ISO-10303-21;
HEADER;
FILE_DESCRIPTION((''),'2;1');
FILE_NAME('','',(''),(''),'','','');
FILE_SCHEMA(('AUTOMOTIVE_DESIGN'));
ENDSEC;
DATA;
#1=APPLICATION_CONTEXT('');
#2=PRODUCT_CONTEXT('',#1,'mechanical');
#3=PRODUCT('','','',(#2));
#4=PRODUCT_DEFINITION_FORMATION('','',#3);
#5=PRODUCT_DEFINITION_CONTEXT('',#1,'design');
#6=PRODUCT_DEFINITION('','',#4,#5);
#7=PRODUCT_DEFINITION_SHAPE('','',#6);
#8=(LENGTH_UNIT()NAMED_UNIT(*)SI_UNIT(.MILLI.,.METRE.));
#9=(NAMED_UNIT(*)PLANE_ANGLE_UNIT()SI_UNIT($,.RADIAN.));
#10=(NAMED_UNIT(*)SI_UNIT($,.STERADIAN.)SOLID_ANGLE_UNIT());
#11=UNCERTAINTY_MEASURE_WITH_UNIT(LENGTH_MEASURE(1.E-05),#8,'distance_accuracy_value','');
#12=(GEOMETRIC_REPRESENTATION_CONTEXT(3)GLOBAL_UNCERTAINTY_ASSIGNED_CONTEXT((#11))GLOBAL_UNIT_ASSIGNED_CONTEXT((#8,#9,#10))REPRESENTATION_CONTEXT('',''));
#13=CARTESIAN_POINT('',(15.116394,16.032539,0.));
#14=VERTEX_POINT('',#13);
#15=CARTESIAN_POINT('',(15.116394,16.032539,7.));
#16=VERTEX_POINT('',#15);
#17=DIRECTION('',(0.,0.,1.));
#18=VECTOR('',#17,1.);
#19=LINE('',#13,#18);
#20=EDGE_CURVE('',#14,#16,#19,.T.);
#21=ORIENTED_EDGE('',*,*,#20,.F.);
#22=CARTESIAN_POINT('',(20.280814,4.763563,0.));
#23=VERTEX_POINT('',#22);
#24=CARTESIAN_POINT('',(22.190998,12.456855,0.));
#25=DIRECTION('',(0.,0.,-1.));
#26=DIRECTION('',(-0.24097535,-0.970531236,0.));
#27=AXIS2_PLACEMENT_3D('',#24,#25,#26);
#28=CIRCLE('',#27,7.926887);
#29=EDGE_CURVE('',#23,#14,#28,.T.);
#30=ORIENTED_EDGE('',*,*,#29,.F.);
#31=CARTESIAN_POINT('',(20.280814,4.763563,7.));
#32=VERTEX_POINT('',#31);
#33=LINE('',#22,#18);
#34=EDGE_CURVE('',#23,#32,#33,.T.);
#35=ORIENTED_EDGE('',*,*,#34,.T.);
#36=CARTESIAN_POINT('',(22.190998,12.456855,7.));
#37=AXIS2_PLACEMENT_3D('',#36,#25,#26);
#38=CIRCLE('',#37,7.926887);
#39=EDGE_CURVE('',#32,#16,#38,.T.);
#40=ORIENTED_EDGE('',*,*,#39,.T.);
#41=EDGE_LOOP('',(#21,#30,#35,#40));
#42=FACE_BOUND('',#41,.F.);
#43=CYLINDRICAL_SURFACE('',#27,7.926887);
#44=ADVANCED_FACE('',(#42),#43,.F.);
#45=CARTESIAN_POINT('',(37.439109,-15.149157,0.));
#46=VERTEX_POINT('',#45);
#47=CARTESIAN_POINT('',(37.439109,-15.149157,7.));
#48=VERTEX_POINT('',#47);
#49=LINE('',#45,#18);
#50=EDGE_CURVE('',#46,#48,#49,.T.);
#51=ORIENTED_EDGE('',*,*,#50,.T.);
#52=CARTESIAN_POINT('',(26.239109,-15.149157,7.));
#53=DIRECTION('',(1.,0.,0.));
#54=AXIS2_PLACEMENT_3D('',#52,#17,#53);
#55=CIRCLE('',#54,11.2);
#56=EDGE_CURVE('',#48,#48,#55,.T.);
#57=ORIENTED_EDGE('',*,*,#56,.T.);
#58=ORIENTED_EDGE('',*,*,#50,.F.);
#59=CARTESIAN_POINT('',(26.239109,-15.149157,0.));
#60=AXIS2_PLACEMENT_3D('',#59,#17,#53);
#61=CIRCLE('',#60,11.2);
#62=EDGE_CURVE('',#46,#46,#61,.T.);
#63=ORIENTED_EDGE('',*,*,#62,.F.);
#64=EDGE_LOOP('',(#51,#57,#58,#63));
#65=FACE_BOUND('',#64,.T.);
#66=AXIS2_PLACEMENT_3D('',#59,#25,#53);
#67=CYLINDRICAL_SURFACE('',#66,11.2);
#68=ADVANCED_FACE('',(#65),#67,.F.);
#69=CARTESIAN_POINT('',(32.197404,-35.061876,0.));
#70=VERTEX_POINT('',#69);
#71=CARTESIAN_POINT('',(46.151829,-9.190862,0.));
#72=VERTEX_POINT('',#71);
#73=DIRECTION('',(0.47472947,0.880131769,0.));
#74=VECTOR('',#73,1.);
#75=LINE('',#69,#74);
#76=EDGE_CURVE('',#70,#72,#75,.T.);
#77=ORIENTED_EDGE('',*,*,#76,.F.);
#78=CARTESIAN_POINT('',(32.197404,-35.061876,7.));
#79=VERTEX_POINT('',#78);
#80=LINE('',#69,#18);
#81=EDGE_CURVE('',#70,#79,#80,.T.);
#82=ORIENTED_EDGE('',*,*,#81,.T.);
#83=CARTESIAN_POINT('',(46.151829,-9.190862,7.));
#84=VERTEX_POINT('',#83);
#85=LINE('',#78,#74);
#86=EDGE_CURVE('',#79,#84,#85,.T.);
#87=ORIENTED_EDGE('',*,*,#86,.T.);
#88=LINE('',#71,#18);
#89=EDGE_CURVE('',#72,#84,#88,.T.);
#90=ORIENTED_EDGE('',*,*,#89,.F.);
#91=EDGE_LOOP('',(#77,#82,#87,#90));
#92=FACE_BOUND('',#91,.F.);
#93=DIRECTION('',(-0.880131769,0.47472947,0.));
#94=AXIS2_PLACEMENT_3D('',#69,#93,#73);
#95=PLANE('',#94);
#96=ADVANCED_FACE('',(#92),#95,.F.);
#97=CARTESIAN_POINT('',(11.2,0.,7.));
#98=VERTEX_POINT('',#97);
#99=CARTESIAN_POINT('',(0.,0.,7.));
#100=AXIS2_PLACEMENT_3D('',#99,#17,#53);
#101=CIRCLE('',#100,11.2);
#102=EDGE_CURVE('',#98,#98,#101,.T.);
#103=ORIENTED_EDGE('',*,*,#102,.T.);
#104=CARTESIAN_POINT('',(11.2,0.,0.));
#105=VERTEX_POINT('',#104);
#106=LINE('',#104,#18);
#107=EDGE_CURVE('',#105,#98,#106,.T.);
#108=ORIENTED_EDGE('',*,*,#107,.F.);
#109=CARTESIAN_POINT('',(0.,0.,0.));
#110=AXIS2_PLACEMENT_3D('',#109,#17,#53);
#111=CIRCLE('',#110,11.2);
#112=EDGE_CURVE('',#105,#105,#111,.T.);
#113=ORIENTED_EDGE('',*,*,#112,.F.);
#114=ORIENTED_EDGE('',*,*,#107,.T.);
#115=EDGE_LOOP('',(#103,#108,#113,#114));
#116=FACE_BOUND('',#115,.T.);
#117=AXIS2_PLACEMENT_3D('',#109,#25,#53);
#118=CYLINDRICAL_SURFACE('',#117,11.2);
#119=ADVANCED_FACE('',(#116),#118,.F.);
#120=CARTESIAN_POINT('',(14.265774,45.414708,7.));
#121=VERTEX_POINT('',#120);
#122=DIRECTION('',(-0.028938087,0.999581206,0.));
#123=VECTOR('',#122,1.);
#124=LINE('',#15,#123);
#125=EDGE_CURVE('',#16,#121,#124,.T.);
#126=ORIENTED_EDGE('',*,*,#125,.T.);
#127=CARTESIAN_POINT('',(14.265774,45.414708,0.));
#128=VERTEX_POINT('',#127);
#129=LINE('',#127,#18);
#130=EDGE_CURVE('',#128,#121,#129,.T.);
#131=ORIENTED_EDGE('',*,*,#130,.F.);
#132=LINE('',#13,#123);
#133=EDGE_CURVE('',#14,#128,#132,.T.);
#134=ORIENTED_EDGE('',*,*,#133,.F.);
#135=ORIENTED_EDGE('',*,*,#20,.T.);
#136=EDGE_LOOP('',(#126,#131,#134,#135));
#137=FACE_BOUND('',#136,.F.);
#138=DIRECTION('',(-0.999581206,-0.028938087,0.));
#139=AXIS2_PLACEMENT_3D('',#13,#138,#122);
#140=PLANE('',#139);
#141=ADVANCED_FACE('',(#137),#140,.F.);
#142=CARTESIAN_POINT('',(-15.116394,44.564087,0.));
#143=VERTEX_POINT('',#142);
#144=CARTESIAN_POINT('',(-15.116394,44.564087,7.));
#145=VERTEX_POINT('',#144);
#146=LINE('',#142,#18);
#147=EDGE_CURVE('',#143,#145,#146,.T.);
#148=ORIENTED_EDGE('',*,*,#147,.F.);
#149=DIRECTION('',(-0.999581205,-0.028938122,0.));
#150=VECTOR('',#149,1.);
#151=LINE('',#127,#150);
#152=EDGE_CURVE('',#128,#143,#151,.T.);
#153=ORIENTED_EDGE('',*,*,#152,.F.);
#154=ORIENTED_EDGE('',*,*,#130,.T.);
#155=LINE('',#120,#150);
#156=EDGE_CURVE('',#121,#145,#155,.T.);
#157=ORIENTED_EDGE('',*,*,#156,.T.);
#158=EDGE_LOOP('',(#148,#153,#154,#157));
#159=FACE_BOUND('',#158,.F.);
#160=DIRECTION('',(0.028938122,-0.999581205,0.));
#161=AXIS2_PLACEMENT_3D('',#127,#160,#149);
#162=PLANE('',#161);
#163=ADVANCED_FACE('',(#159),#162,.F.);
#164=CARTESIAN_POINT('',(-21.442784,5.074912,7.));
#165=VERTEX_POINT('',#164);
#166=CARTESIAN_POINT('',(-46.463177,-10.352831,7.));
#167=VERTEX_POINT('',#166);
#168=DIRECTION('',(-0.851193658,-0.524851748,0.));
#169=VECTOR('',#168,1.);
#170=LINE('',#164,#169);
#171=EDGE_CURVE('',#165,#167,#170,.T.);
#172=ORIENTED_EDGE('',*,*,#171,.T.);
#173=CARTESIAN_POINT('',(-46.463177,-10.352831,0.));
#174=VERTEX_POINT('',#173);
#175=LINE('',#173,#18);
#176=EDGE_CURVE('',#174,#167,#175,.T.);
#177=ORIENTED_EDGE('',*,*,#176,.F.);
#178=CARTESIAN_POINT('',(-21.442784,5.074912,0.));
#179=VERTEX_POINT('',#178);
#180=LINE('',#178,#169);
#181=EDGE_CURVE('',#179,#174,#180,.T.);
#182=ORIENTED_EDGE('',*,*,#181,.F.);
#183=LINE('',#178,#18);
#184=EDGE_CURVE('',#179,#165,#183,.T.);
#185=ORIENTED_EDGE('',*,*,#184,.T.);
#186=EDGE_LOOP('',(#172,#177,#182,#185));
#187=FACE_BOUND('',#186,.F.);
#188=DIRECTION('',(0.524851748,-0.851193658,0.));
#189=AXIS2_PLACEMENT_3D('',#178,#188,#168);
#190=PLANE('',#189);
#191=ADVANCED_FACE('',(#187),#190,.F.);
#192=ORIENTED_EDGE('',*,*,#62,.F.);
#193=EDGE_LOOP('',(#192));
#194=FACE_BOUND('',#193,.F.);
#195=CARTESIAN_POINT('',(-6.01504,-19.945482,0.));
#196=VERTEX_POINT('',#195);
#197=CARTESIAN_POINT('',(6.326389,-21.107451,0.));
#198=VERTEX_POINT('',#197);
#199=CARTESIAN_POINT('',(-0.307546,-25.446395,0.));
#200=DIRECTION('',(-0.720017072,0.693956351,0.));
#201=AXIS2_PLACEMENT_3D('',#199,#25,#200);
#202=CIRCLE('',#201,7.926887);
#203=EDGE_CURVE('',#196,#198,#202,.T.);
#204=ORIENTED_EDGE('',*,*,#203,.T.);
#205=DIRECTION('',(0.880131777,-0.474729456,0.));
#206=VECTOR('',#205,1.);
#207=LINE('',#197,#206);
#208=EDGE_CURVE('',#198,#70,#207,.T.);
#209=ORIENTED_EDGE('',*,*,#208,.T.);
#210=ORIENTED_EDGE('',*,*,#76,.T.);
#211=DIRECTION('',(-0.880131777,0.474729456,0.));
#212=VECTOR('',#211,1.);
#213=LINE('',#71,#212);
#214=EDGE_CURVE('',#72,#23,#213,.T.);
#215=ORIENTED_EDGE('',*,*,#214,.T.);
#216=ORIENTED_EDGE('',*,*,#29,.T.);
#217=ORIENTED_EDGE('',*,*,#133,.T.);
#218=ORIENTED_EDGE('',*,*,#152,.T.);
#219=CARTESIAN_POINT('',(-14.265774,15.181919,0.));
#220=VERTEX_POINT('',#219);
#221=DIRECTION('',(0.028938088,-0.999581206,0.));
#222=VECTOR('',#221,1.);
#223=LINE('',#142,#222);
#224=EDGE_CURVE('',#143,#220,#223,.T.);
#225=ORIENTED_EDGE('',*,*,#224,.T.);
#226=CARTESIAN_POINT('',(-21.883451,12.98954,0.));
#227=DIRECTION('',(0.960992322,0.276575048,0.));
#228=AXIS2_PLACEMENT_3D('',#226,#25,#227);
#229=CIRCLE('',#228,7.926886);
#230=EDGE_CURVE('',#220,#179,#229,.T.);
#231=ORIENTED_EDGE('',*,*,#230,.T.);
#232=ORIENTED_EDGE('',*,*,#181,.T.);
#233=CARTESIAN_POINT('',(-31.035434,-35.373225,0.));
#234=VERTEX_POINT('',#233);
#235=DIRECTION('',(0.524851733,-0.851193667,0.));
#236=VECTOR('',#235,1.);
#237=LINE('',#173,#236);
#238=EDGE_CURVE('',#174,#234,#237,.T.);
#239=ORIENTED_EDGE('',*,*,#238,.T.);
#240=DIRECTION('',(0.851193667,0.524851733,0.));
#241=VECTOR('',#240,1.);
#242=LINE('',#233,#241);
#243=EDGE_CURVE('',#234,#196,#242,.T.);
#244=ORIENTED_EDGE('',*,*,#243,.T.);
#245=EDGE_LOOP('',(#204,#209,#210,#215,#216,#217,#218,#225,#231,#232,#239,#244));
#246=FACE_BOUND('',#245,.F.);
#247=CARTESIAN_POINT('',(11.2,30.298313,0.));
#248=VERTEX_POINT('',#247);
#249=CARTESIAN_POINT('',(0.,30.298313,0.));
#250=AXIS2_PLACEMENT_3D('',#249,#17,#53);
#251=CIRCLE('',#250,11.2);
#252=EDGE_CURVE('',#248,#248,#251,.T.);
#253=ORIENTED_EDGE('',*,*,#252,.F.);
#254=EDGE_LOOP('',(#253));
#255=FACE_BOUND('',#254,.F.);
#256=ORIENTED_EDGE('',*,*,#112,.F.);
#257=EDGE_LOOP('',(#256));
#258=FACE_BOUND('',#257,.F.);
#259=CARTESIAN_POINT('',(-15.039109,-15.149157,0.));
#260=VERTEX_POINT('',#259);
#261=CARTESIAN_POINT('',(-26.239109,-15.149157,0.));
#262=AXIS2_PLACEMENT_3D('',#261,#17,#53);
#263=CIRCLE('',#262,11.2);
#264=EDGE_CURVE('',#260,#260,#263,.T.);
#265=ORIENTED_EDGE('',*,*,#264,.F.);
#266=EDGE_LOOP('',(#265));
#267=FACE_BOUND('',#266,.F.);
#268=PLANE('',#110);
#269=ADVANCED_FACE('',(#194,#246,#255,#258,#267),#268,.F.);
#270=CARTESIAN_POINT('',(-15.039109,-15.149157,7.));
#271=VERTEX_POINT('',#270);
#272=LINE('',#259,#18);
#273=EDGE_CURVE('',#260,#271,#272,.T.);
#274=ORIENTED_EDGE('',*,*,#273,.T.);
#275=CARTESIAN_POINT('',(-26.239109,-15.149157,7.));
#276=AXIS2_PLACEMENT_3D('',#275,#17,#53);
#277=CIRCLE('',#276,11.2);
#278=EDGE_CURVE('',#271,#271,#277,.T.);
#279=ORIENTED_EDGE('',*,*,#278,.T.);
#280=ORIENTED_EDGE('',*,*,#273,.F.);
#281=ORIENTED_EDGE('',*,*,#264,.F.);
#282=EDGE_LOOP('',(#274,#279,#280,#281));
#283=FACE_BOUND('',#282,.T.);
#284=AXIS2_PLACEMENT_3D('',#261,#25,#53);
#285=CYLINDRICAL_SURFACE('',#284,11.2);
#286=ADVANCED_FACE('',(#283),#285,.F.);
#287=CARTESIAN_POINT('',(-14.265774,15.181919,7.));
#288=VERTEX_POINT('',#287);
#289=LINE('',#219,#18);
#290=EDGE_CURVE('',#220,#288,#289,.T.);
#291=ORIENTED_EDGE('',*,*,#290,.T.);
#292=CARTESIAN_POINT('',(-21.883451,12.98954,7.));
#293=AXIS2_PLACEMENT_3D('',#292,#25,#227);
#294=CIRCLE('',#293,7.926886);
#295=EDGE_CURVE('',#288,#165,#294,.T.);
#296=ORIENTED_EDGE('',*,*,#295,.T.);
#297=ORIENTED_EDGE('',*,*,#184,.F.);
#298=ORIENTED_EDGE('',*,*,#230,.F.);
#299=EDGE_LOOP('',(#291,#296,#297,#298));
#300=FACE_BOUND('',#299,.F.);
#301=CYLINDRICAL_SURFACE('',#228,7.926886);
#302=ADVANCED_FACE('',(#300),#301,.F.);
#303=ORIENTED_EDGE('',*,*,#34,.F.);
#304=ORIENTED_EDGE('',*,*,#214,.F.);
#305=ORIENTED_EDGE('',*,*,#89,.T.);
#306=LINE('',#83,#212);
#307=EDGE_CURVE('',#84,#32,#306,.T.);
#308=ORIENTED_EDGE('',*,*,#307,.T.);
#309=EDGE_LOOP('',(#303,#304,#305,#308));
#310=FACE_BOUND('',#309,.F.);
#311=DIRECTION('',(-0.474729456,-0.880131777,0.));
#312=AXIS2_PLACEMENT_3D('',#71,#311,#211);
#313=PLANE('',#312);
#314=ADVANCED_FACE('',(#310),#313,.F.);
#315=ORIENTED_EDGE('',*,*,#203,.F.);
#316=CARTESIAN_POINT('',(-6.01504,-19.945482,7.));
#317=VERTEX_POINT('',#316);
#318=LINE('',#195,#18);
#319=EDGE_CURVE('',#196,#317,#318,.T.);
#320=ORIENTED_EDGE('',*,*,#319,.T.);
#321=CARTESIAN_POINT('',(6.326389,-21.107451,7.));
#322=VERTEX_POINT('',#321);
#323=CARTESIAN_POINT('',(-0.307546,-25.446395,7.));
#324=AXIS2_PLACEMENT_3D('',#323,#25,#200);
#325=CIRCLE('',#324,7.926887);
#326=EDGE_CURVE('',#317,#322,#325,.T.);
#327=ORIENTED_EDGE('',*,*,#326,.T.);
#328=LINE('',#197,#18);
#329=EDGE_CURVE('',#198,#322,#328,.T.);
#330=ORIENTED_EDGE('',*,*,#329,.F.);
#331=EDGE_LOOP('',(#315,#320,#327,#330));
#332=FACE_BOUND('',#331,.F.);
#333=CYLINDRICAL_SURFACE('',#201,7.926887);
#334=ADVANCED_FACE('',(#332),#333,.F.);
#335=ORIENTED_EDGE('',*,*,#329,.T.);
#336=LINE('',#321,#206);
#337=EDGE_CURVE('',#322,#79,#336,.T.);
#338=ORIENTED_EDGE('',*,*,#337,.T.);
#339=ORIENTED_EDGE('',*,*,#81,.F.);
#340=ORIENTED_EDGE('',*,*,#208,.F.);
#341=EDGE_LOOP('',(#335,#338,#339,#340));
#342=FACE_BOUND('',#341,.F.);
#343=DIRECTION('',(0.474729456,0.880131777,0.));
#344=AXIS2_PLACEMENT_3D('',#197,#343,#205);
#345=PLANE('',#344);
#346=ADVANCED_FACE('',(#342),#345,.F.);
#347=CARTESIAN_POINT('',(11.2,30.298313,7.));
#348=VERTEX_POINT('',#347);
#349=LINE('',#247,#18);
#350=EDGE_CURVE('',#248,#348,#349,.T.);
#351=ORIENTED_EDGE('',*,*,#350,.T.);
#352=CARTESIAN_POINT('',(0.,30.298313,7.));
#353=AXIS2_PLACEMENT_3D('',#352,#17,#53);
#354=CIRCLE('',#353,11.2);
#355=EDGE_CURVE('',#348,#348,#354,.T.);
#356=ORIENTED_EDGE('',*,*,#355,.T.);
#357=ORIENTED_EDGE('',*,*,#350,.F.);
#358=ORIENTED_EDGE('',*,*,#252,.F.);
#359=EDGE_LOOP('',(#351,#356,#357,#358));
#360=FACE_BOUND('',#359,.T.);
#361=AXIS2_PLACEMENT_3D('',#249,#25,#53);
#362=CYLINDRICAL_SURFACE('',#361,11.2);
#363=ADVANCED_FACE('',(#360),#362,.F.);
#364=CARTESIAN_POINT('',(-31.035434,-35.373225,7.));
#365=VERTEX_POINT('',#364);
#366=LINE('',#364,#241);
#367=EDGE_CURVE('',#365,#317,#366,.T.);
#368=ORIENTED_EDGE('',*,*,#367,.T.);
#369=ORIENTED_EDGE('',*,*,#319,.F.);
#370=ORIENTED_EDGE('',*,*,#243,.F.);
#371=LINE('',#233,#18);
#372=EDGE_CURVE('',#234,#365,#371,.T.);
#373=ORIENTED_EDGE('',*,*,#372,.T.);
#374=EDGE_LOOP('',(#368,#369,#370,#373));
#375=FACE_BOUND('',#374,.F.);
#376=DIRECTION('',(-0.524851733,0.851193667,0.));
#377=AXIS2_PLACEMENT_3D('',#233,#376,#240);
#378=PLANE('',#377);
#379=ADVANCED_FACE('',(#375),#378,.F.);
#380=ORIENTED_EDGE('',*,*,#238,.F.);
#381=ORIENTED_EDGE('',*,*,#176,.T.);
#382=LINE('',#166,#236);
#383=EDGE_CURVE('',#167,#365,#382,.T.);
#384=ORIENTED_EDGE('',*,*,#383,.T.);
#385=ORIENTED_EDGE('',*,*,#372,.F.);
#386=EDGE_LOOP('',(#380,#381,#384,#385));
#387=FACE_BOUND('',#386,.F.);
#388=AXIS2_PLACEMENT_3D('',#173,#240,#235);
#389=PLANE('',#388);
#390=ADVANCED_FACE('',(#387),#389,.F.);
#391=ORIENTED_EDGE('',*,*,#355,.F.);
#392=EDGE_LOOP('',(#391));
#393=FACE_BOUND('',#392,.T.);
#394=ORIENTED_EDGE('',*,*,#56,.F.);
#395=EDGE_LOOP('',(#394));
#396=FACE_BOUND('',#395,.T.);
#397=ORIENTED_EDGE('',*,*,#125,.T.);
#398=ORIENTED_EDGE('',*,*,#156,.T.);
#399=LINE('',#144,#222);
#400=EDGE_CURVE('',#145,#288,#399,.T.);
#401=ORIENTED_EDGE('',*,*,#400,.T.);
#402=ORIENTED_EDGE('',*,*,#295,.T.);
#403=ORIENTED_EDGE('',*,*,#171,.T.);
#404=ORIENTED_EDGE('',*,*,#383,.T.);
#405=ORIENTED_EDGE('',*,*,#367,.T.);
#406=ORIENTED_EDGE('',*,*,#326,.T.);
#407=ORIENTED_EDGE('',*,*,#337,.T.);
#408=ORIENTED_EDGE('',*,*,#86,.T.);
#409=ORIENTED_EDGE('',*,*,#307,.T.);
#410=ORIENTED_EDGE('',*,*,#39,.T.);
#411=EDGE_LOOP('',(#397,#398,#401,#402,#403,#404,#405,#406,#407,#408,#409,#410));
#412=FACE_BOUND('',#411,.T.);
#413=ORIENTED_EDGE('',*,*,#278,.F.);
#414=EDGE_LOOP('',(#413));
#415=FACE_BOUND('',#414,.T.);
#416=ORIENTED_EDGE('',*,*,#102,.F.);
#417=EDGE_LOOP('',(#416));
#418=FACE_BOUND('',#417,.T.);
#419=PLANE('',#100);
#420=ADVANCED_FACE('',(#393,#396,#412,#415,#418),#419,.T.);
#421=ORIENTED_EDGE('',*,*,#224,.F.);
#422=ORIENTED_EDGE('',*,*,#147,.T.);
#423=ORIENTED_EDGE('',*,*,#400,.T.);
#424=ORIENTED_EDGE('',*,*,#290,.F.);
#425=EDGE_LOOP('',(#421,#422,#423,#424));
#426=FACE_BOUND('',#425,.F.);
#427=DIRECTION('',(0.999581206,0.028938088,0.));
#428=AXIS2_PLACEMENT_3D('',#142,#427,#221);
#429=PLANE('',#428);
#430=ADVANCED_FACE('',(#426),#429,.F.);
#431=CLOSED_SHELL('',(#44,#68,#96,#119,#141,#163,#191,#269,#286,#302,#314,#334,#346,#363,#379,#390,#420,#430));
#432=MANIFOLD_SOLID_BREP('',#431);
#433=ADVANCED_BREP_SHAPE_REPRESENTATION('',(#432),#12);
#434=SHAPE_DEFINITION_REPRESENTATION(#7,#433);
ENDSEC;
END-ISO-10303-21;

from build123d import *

# Parameters (mm, degrees)
F0_R     = 11.2
F1_DEPTH = 7


with BuildPart() as f1:
    # F0 (on Top) → F1 (new body)
    with BuildSketch(Plane.XY):
        with BuildLine():
            Line((14.265774, 45.414708), (-15.116394, 44.564087))
            Line((-15.116394, 44.564087), (-14.265774, 15.181919))
            ThreePointArc((-14.265774, 15.181919), (-15.420315, 8.400052), (-21.442784, 5.074912))
            Line((-21.442784, 5.074912), (-46.463177, -10.352831))
            Line((-46.463177, -10.352831), (-31.035434, -35.373225))
            Line((-31.035434, -35.373225), (-6.01504, -19.945482))
            ThreePointArc((-6.01504, -19.945482), (0.435499, -17.554411), (6.326389, -21.107451))
            Line((6.326389, -21.107451), (32.197404, -35.061876))
            Line((32.197404, -35.061876), (46.151829, -9.190862))
            Line((46.151829, -9.190862), (20.280814, 4.763563))
            ThreePointArc((20.280814, 4.763563), (14.984816, 9.154359), (15.116394, 16.032539))
            Line((15.116394, 16.032539), (14.265774, 45.414708))
        make_face()
        with Locations((-26.239109, -15.149157)):
            Circle(F0_R, mode=Mode.SUBTRACT)
        Circle(F0_R, mode=Mode.SUBTRACT)
        with Locations((26.239109, -15.149157)):
            Circle(F0_R, mode=Mode.SUBTRACT)
        with Locations((0, 30.298313)):
            Circle(F0_R, mode=Mode.SUBTRACT)
    extrude(amount=F1_DEPTH)


solid = f1.part
